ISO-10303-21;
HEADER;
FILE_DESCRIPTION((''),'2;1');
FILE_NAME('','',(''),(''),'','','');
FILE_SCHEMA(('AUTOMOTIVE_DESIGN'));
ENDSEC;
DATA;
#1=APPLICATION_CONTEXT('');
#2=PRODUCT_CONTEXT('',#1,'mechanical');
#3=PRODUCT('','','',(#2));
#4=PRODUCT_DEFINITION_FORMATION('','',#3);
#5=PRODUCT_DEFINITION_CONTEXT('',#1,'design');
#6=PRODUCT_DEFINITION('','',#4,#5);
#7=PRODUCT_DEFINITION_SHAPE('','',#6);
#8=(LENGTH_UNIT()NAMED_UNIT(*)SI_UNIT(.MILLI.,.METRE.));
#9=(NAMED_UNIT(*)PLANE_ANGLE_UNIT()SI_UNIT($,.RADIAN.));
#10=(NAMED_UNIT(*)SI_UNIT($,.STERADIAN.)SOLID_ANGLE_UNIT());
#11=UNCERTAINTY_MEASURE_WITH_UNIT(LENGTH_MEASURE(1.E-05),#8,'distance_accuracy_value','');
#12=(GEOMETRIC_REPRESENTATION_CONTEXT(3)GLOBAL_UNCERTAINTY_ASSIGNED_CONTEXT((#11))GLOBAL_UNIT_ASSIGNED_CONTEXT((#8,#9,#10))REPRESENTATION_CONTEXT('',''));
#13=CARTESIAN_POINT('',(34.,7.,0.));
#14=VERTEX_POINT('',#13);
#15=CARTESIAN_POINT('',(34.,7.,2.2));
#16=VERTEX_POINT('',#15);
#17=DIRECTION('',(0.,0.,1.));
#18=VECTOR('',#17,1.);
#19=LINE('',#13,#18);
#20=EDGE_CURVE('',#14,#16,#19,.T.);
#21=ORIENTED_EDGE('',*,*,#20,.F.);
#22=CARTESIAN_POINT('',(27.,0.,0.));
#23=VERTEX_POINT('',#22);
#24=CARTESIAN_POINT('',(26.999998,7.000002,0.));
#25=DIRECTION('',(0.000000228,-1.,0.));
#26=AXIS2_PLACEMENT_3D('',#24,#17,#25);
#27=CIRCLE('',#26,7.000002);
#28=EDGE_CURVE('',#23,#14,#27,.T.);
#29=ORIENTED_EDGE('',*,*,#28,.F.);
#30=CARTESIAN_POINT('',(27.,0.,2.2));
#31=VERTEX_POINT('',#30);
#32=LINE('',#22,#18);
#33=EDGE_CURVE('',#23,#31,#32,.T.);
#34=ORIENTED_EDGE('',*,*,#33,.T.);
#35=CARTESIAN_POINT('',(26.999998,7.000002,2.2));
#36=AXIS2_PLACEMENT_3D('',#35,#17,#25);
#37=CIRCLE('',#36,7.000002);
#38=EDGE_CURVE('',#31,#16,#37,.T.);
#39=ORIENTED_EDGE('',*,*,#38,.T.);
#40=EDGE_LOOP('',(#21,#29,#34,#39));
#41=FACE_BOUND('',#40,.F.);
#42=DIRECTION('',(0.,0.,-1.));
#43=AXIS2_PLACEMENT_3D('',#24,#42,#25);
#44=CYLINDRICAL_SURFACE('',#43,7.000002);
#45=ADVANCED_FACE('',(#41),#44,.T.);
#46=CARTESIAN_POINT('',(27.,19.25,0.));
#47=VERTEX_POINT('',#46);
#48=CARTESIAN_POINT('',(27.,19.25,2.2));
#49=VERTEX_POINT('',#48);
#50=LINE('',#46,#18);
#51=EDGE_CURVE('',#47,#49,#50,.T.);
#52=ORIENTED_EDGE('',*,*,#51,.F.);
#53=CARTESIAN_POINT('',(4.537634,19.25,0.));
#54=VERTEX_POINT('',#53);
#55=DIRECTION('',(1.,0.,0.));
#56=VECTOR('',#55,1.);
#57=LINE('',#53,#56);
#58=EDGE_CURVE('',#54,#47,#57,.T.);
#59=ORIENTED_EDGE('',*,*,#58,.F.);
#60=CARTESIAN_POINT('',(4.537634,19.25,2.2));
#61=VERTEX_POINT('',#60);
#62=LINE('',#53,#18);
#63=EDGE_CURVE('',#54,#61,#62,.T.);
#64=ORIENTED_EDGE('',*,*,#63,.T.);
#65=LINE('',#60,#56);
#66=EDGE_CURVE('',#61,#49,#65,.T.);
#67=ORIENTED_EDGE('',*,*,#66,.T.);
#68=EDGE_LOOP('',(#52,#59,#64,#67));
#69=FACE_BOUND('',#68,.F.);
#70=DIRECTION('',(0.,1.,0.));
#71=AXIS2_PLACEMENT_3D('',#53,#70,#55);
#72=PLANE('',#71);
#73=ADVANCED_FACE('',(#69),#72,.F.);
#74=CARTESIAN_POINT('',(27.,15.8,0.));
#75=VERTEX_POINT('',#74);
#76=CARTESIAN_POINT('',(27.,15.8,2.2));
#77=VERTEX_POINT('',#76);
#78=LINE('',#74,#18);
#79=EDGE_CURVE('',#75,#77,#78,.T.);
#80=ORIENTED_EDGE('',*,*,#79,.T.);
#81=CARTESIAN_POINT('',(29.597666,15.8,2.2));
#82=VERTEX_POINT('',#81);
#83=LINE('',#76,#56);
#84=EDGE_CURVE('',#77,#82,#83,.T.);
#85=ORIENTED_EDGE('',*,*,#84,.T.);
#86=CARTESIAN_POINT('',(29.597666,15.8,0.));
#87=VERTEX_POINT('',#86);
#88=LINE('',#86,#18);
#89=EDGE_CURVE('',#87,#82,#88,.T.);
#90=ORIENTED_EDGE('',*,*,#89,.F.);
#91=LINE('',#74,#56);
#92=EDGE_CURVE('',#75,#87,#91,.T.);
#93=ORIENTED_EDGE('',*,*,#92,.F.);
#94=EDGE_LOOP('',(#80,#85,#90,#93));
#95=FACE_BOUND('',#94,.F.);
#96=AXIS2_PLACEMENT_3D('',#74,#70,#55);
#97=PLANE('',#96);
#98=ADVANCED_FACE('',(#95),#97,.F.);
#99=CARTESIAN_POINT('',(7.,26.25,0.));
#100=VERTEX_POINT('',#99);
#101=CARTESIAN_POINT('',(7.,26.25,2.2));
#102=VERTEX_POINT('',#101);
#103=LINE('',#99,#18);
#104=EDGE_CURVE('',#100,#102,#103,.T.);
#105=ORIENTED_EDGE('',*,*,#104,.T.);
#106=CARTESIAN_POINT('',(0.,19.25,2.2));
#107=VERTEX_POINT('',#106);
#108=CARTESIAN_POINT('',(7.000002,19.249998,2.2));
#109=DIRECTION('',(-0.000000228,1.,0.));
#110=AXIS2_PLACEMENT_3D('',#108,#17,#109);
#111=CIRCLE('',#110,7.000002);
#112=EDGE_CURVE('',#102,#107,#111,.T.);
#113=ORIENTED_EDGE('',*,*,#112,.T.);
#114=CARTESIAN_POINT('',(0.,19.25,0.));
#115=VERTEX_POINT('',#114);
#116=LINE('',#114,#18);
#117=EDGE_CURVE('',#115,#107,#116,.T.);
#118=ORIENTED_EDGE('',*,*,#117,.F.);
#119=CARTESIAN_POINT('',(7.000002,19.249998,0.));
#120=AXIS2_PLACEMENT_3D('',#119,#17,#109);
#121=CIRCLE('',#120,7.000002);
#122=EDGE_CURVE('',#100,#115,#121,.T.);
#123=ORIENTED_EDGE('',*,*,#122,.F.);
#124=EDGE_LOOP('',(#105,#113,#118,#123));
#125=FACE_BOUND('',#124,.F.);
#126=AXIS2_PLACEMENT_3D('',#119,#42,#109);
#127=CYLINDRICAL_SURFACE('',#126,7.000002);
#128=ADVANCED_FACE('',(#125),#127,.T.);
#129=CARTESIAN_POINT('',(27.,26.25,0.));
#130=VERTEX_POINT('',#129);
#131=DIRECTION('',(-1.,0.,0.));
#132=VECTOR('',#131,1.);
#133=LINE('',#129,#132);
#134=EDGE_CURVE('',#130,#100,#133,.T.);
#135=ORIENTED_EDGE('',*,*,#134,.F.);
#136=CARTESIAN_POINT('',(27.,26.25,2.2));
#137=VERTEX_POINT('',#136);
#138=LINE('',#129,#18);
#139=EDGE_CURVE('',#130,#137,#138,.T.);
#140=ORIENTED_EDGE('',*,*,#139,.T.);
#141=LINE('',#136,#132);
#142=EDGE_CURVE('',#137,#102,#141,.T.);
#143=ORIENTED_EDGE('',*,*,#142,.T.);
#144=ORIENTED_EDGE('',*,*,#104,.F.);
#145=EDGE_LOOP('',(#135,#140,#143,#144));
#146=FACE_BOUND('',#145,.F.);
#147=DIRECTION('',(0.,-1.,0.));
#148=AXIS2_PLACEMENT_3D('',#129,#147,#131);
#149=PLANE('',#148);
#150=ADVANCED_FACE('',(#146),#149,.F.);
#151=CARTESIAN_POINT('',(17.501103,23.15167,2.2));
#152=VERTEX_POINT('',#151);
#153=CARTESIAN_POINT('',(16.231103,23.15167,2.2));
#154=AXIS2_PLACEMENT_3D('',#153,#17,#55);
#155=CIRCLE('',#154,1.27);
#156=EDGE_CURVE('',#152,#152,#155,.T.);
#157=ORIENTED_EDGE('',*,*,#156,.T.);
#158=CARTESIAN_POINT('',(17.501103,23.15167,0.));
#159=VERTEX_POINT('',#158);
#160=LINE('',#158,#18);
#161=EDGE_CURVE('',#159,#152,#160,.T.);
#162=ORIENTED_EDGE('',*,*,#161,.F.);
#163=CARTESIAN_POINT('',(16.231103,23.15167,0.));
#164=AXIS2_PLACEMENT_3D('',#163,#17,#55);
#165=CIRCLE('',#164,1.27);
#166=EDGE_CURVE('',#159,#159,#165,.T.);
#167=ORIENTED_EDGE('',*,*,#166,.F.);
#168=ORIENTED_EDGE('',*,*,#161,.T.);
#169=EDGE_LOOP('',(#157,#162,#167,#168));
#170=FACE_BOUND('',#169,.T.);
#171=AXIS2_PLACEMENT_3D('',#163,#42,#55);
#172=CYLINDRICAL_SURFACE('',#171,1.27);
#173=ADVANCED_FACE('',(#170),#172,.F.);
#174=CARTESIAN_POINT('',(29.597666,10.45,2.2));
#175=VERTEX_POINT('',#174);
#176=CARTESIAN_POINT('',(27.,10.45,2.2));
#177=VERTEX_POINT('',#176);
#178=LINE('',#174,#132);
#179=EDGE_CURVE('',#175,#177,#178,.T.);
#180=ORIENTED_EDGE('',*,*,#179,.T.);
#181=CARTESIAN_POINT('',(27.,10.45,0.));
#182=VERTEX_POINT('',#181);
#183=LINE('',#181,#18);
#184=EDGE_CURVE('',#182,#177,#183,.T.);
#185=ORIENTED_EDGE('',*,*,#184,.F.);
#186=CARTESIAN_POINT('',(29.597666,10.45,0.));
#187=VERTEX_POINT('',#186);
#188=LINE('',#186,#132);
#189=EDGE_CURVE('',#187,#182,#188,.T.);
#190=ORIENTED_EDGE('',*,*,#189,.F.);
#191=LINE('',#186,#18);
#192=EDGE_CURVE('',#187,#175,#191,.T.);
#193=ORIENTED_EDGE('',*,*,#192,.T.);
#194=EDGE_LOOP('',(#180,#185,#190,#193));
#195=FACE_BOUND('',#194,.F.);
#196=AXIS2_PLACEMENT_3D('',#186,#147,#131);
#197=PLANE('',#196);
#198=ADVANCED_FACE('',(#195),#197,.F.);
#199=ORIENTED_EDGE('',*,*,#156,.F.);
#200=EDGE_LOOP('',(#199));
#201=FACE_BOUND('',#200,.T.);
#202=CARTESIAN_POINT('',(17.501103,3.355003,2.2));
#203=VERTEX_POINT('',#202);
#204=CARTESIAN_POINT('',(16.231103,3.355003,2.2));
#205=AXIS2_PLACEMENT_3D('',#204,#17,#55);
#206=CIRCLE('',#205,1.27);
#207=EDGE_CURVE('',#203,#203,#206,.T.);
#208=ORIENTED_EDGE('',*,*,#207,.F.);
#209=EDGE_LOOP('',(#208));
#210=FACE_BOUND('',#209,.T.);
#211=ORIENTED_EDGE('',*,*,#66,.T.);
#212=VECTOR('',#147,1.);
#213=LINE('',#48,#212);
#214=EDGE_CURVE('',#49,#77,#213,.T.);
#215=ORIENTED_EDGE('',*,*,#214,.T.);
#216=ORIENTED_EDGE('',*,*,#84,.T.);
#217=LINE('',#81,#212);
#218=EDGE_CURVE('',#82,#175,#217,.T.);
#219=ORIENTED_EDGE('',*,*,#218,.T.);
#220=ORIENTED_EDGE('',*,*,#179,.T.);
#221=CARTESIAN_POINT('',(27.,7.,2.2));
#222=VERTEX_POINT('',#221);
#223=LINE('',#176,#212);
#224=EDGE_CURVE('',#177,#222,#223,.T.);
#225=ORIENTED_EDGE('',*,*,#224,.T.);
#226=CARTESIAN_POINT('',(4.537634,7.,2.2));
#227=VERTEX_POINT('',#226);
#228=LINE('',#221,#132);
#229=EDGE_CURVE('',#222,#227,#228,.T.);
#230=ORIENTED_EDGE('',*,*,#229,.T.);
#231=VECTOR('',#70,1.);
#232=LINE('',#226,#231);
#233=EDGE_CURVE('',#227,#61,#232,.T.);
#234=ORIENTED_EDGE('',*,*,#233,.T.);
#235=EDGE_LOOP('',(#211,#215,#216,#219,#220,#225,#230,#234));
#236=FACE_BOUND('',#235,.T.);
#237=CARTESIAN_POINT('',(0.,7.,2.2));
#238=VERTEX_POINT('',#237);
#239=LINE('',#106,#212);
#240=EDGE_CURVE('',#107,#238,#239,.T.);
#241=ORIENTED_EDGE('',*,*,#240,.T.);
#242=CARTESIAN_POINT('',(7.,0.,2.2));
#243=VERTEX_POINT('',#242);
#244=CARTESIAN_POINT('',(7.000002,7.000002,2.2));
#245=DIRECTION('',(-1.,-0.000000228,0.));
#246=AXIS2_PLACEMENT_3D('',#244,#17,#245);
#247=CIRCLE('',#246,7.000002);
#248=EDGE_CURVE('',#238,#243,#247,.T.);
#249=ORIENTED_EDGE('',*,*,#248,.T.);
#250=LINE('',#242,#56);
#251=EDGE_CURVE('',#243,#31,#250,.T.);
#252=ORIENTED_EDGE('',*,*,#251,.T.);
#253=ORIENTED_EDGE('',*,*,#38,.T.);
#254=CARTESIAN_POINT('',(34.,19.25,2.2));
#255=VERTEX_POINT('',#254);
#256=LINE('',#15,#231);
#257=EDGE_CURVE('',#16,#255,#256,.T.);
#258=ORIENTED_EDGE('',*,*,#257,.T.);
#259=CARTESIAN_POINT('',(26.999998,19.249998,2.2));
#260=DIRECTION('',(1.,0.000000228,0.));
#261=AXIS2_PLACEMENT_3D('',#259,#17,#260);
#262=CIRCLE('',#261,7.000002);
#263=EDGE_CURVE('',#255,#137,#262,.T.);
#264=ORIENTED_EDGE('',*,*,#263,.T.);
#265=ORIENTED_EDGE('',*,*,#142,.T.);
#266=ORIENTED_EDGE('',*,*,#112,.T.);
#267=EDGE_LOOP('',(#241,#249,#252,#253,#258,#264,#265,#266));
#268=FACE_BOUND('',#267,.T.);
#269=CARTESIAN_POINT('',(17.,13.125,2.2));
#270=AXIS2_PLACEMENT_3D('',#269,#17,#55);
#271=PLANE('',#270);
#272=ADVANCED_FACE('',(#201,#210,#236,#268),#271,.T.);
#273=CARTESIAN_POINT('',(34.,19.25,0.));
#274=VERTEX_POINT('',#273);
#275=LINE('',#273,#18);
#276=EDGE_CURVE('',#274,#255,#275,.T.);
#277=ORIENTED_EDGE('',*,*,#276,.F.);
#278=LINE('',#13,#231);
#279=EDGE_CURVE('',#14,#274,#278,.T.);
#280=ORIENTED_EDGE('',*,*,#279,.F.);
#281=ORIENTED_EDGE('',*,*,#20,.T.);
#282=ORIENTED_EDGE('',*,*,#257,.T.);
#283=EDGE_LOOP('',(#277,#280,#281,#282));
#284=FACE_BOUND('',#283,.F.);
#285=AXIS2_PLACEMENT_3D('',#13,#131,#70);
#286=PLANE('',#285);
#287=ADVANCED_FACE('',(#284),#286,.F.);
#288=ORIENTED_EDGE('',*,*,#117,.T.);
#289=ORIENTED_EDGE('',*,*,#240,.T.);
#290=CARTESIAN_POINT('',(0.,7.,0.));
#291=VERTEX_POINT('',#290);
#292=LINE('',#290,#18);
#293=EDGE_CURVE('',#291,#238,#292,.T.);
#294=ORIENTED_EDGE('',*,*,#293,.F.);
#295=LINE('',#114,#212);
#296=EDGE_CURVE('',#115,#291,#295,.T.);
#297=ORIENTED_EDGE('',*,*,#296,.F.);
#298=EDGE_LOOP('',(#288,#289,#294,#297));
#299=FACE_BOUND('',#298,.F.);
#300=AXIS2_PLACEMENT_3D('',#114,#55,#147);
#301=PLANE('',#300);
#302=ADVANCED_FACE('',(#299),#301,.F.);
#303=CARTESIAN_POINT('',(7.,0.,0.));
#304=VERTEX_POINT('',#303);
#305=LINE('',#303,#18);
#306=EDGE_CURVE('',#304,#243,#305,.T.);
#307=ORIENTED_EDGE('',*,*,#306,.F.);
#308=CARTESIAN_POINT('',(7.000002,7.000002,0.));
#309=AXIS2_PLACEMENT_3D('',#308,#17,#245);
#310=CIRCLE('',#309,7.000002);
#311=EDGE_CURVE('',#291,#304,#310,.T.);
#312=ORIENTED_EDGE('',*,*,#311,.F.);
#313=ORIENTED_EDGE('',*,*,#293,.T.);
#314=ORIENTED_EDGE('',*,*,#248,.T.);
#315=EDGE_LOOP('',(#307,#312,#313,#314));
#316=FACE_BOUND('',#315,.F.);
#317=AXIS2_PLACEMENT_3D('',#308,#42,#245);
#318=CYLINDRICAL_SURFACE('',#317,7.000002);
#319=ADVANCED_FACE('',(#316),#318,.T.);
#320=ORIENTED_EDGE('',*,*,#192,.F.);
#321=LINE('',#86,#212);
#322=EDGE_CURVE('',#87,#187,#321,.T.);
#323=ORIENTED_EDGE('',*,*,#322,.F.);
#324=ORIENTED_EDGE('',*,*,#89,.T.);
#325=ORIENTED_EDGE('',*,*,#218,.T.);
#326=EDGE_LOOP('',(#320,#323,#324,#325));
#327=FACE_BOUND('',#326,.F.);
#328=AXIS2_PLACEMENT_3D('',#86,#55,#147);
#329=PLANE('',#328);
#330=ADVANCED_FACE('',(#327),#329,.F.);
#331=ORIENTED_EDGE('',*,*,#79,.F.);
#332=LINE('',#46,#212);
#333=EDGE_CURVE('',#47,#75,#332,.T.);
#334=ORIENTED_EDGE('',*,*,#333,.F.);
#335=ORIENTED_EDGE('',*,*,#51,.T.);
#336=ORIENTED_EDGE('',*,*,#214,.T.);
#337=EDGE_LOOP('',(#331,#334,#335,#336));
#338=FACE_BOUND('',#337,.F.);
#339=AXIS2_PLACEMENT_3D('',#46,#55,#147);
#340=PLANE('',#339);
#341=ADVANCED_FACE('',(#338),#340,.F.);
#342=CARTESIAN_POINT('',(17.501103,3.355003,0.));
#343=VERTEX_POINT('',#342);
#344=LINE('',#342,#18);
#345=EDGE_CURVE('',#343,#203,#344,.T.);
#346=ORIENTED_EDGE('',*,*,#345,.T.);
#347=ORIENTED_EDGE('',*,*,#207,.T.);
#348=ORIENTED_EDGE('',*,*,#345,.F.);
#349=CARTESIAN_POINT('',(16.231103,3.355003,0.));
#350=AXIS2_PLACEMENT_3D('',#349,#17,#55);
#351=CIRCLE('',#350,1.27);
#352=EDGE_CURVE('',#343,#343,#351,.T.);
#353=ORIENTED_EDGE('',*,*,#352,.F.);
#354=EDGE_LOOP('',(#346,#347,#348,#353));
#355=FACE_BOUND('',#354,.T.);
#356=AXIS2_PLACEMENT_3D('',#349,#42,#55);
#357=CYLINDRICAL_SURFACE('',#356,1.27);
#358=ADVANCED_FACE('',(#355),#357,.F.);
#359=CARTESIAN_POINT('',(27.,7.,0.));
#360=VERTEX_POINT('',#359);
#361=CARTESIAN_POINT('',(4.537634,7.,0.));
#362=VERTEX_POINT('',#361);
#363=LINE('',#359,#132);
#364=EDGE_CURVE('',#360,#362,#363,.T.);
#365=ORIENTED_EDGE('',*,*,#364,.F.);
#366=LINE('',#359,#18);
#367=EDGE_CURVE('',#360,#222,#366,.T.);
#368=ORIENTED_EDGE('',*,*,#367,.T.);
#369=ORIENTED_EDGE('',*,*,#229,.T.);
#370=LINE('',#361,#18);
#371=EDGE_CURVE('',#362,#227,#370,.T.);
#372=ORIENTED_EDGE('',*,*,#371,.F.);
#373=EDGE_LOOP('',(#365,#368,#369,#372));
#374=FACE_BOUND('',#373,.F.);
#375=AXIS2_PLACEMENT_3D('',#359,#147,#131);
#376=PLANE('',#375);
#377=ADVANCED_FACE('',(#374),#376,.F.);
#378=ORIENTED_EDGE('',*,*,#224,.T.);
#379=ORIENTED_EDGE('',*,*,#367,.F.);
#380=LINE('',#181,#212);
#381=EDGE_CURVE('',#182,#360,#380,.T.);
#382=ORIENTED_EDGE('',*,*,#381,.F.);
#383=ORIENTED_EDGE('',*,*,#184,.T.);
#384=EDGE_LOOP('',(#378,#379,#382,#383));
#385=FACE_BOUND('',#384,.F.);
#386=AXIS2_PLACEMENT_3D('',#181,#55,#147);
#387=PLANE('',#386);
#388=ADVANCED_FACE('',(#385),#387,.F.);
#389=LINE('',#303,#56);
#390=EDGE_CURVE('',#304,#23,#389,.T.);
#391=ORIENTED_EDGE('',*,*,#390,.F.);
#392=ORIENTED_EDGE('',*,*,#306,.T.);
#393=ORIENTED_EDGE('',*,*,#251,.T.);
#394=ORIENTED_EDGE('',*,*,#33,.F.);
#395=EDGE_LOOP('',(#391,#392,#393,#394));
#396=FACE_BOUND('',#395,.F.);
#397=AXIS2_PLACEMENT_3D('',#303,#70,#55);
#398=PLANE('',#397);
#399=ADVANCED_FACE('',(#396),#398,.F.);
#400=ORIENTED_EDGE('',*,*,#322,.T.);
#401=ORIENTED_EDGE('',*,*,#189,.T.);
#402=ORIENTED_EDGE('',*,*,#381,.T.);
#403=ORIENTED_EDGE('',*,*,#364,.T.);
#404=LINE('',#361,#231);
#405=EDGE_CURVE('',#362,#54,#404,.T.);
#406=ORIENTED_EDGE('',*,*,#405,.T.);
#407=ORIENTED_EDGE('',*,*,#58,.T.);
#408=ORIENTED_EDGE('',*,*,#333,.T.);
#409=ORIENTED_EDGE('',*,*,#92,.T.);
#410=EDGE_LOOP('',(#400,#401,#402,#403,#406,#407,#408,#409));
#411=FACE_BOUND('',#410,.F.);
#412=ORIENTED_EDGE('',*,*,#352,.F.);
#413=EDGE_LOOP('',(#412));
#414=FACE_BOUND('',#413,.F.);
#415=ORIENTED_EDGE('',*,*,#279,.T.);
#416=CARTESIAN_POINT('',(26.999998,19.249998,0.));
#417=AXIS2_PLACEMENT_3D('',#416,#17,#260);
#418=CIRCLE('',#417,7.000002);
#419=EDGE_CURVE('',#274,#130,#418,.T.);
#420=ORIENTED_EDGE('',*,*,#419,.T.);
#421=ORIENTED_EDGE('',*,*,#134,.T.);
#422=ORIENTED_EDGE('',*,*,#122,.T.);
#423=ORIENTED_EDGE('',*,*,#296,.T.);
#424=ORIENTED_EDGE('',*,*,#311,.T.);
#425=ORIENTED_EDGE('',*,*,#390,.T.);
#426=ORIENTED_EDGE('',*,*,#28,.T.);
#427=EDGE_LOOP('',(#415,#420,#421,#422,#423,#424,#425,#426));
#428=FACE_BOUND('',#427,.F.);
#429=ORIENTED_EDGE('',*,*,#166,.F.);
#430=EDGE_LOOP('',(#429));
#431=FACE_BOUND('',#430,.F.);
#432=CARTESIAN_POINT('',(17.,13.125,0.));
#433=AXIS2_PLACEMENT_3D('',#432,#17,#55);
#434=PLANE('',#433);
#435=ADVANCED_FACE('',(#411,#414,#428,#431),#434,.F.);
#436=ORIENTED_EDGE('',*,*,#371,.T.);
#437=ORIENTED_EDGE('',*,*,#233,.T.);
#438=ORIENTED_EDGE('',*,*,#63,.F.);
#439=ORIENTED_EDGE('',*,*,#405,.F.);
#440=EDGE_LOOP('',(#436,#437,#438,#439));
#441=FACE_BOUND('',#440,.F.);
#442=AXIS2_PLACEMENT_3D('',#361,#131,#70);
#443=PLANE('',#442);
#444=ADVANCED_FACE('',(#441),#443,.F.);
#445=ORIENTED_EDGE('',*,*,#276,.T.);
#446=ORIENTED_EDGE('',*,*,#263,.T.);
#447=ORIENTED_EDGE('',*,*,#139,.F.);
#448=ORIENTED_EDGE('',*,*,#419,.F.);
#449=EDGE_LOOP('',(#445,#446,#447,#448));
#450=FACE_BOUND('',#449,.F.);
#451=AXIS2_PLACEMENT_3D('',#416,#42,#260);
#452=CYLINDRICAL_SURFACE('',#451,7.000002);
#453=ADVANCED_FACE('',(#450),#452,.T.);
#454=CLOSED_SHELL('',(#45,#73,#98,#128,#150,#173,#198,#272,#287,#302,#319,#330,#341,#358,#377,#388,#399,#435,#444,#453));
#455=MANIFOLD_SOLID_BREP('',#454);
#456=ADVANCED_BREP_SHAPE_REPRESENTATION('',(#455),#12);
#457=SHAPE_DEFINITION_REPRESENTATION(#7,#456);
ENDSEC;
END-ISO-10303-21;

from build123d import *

# Parameters (mm, degrees)
F0_R     = 1.27
F1_DEPTH = 2.2


with BuildPart() as f1:
    # F0 (on Top) → F1 (new body)
    with BuildSketch(Plane.XY):
        with BuildLine():
            ThreePointArc((0, 7), (2.050253, 2.050253), (7, 0))
            Line((7, 0), (27, 0))
            ThreePointArc((27, 0), (31.949747, 2.050253), (34, 7))
            Line((34, 7), (34, 19.25))
            ThreePointArc((34, 19.25), (31.949747, 24.199747), (27, 26.25))
            Line((27, 26.25), (7, 26.25))
            ThreePointArc((7, 26.25), (2.050253, 24.199747), (0, 19.25))
            Line((0, 19.25), (0, 7))
        make_face()
        with Locations((16.231103, 3.355003)):
            Circle(F0_R, mode=Mode.SUBTRACT)
        with Locations((16.231103, 23.15167)):
            Circle(F0_R, mode=Mode.SUBTRACT)
        Polygon((4.537634, 7), (4.537634, 19.25), (27, 19.25), (27, 15.8), (29.597666, 15.8), (29.597666, 10.45), (27, 10.45), (27, 7), align=None, mode=Mode.SUBTRACT)
    extrude(amount=F1_DEPTH)


solid = f1.part
